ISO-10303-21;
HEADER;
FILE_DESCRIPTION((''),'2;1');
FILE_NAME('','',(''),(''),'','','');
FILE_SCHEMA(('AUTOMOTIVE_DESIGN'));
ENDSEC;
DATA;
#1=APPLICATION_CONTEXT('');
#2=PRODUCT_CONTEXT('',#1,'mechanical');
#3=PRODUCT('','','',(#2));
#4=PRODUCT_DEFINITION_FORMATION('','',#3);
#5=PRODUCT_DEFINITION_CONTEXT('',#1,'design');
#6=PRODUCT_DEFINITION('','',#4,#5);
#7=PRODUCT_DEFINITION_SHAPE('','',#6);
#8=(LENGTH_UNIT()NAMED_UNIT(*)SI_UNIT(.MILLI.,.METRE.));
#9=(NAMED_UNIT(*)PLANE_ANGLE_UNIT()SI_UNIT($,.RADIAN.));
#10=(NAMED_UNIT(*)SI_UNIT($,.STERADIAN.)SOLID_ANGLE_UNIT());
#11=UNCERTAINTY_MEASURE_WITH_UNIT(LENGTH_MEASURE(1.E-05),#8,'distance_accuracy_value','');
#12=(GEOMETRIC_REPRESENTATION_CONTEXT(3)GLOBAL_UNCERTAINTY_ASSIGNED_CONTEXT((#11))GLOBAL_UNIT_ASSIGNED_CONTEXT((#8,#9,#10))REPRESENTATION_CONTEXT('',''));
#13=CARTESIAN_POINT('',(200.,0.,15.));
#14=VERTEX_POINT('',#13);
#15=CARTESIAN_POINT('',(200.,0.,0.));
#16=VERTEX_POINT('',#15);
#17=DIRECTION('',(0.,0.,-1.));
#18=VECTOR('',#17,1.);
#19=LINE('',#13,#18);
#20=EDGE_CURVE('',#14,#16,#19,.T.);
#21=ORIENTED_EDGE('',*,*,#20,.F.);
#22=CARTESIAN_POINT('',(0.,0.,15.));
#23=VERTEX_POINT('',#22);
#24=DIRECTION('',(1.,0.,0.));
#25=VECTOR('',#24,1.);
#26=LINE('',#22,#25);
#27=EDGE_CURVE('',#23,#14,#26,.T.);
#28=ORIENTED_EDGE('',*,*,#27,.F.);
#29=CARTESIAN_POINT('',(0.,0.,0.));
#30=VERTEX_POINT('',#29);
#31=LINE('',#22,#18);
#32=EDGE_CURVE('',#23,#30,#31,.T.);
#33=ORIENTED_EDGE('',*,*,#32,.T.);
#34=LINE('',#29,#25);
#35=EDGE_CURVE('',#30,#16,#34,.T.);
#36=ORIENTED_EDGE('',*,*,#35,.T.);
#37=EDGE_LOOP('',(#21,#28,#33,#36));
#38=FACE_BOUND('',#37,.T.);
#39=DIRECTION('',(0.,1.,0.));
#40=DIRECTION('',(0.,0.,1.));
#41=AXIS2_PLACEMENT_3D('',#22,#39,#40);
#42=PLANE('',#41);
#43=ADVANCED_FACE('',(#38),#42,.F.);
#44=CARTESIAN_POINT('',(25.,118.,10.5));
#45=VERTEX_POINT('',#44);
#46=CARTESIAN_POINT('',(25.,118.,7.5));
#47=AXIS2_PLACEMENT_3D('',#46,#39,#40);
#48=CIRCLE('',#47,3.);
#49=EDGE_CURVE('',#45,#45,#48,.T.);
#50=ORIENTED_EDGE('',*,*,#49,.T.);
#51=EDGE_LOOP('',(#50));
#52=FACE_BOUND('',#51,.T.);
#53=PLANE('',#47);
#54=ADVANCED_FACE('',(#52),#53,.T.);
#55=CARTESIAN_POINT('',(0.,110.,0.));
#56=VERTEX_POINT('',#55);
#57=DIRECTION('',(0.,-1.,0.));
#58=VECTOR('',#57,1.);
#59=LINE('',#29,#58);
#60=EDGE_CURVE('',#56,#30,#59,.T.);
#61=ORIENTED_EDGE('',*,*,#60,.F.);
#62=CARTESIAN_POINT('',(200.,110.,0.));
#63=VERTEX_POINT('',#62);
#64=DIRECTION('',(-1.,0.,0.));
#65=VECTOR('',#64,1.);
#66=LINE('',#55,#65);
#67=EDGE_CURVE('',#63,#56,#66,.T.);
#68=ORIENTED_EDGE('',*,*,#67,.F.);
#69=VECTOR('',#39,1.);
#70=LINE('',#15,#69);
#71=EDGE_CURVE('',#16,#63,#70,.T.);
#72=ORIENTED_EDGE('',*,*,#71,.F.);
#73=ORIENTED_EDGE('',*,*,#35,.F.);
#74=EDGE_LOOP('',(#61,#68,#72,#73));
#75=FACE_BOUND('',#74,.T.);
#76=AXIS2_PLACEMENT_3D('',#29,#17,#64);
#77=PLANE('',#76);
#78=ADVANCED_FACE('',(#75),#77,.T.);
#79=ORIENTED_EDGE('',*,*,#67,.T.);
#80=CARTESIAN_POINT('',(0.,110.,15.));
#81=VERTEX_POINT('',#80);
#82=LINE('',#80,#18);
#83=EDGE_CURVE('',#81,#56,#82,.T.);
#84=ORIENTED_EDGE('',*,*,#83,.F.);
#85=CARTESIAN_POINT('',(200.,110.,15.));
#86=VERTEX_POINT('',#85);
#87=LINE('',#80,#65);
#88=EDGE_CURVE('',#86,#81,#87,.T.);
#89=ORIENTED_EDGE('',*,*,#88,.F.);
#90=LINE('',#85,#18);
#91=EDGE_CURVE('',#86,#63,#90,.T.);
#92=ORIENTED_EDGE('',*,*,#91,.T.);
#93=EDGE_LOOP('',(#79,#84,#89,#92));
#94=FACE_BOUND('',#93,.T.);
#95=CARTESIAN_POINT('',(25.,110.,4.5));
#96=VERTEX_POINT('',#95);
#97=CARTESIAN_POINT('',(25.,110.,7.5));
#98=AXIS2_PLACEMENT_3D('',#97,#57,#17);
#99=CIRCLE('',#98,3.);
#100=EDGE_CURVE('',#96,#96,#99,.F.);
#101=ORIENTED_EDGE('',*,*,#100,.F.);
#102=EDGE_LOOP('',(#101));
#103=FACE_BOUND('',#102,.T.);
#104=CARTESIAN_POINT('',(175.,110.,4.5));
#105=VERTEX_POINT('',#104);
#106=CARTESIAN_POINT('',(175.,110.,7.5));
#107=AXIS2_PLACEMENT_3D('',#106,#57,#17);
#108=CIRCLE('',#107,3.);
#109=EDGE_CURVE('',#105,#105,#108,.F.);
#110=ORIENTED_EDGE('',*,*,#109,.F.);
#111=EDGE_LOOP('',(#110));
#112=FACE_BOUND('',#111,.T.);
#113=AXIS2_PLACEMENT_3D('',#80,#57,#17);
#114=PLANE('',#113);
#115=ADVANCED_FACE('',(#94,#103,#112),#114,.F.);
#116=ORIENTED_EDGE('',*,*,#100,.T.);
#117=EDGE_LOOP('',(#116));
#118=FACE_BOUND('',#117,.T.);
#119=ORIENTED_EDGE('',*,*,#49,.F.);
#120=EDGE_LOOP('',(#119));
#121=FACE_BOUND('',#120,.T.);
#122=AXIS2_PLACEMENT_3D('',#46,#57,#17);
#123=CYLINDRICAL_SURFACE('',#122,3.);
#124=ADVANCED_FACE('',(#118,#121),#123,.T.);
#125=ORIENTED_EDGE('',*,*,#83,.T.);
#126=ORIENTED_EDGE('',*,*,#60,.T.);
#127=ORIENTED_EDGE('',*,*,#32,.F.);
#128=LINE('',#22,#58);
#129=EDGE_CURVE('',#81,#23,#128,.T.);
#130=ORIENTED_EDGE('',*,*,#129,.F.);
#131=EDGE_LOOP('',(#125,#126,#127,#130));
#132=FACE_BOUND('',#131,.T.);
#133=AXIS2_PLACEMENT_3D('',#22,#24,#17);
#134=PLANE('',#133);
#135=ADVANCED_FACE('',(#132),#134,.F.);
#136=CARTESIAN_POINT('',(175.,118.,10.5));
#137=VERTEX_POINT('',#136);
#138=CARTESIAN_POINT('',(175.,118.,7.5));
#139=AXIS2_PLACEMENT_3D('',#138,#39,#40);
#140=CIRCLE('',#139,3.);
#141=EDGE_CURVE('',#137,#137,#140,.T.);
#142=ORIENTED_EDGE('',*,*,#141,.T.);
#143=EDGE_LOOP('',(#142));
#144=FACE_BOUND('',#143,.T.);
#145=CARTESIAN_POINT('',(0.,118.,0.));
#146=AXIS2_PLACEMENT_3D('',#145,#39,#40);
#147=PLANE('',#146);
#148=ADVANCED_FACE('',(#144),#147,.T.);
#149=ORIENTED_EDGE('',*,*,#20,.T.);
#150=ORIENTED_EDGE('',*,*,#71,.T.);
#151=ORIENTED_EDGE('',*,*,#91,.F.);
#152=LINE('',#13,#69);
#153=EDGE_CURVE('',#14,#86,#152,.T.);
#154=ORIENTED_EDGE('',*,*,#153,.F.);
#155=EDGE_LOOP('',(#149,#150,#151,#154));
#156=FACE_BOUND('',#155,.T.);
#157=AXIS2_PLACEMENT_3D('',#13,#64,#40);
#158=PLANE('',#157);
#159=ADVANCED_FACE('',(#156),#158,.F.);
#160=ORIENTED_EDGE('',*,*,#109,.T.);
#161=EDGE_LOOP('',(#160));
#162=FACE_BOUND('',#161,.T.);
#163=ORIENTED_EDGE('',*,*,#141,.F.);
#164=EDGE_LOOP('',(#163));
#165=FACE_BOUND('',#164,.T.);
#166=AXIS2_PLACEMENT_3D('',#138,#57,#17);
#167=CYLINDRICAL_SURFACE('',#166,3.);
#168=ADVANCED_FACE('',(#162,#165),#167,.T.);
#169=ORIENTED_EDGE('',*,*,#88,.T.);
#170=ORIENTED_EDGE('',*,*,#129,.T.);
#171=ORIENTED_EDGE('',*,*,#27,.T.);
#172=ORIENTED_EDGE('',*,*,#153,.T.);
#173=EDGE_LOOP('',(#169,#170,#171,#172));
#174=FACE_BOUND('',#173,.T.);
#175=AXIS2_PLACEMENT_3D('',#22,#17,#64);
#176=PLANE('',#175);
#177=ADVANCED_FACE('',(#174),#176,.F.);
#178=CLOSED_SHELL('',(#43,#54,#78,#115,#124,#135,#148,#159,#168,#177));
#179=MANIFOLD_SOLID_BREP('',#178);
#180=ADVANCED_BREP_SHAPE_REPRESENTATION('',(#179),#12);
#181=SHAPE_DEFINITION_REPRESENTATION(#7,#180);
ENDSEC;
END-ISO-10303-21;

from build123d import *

# Parameters (mm, degrees)
ESBO_O1_W                = 200
ESBO_O1_H                = 110
RESSALTO_EXTRUS_O1_DEPTH = 15
ESBO_O7_R                = 3
RESSALTO_EXTRUS_O2_DEPTH = 8


with BuildPart() as part:
    # Esboço1 → Ressalto-extrusão1 (new body)
    with BuildSketch(Plane.XY):
        with Locations((100, 55)):
            Rectangle(ESBO_O1_W, ESBO_O1_H)
    extrude(amount=RESSALTO_EXTRUS_O1_DEPTH)

    # Esboço7 → Ressalto-extrusão2 (add)
    with BuildSketch(Plane(origin=(0, 110, 0), x_dir=(1, 0, 0), z_dir=(0, 1, 0))):
        with Locations((175, -7.5)):
            Circle(ESBO_O7_R)
        with Locations((25, -7.5)):
            Circle(ESBO_O7_R)
    extrude(amount=RESSALTO_EXTRUS_O2_DEPTH)


solid = part.part
